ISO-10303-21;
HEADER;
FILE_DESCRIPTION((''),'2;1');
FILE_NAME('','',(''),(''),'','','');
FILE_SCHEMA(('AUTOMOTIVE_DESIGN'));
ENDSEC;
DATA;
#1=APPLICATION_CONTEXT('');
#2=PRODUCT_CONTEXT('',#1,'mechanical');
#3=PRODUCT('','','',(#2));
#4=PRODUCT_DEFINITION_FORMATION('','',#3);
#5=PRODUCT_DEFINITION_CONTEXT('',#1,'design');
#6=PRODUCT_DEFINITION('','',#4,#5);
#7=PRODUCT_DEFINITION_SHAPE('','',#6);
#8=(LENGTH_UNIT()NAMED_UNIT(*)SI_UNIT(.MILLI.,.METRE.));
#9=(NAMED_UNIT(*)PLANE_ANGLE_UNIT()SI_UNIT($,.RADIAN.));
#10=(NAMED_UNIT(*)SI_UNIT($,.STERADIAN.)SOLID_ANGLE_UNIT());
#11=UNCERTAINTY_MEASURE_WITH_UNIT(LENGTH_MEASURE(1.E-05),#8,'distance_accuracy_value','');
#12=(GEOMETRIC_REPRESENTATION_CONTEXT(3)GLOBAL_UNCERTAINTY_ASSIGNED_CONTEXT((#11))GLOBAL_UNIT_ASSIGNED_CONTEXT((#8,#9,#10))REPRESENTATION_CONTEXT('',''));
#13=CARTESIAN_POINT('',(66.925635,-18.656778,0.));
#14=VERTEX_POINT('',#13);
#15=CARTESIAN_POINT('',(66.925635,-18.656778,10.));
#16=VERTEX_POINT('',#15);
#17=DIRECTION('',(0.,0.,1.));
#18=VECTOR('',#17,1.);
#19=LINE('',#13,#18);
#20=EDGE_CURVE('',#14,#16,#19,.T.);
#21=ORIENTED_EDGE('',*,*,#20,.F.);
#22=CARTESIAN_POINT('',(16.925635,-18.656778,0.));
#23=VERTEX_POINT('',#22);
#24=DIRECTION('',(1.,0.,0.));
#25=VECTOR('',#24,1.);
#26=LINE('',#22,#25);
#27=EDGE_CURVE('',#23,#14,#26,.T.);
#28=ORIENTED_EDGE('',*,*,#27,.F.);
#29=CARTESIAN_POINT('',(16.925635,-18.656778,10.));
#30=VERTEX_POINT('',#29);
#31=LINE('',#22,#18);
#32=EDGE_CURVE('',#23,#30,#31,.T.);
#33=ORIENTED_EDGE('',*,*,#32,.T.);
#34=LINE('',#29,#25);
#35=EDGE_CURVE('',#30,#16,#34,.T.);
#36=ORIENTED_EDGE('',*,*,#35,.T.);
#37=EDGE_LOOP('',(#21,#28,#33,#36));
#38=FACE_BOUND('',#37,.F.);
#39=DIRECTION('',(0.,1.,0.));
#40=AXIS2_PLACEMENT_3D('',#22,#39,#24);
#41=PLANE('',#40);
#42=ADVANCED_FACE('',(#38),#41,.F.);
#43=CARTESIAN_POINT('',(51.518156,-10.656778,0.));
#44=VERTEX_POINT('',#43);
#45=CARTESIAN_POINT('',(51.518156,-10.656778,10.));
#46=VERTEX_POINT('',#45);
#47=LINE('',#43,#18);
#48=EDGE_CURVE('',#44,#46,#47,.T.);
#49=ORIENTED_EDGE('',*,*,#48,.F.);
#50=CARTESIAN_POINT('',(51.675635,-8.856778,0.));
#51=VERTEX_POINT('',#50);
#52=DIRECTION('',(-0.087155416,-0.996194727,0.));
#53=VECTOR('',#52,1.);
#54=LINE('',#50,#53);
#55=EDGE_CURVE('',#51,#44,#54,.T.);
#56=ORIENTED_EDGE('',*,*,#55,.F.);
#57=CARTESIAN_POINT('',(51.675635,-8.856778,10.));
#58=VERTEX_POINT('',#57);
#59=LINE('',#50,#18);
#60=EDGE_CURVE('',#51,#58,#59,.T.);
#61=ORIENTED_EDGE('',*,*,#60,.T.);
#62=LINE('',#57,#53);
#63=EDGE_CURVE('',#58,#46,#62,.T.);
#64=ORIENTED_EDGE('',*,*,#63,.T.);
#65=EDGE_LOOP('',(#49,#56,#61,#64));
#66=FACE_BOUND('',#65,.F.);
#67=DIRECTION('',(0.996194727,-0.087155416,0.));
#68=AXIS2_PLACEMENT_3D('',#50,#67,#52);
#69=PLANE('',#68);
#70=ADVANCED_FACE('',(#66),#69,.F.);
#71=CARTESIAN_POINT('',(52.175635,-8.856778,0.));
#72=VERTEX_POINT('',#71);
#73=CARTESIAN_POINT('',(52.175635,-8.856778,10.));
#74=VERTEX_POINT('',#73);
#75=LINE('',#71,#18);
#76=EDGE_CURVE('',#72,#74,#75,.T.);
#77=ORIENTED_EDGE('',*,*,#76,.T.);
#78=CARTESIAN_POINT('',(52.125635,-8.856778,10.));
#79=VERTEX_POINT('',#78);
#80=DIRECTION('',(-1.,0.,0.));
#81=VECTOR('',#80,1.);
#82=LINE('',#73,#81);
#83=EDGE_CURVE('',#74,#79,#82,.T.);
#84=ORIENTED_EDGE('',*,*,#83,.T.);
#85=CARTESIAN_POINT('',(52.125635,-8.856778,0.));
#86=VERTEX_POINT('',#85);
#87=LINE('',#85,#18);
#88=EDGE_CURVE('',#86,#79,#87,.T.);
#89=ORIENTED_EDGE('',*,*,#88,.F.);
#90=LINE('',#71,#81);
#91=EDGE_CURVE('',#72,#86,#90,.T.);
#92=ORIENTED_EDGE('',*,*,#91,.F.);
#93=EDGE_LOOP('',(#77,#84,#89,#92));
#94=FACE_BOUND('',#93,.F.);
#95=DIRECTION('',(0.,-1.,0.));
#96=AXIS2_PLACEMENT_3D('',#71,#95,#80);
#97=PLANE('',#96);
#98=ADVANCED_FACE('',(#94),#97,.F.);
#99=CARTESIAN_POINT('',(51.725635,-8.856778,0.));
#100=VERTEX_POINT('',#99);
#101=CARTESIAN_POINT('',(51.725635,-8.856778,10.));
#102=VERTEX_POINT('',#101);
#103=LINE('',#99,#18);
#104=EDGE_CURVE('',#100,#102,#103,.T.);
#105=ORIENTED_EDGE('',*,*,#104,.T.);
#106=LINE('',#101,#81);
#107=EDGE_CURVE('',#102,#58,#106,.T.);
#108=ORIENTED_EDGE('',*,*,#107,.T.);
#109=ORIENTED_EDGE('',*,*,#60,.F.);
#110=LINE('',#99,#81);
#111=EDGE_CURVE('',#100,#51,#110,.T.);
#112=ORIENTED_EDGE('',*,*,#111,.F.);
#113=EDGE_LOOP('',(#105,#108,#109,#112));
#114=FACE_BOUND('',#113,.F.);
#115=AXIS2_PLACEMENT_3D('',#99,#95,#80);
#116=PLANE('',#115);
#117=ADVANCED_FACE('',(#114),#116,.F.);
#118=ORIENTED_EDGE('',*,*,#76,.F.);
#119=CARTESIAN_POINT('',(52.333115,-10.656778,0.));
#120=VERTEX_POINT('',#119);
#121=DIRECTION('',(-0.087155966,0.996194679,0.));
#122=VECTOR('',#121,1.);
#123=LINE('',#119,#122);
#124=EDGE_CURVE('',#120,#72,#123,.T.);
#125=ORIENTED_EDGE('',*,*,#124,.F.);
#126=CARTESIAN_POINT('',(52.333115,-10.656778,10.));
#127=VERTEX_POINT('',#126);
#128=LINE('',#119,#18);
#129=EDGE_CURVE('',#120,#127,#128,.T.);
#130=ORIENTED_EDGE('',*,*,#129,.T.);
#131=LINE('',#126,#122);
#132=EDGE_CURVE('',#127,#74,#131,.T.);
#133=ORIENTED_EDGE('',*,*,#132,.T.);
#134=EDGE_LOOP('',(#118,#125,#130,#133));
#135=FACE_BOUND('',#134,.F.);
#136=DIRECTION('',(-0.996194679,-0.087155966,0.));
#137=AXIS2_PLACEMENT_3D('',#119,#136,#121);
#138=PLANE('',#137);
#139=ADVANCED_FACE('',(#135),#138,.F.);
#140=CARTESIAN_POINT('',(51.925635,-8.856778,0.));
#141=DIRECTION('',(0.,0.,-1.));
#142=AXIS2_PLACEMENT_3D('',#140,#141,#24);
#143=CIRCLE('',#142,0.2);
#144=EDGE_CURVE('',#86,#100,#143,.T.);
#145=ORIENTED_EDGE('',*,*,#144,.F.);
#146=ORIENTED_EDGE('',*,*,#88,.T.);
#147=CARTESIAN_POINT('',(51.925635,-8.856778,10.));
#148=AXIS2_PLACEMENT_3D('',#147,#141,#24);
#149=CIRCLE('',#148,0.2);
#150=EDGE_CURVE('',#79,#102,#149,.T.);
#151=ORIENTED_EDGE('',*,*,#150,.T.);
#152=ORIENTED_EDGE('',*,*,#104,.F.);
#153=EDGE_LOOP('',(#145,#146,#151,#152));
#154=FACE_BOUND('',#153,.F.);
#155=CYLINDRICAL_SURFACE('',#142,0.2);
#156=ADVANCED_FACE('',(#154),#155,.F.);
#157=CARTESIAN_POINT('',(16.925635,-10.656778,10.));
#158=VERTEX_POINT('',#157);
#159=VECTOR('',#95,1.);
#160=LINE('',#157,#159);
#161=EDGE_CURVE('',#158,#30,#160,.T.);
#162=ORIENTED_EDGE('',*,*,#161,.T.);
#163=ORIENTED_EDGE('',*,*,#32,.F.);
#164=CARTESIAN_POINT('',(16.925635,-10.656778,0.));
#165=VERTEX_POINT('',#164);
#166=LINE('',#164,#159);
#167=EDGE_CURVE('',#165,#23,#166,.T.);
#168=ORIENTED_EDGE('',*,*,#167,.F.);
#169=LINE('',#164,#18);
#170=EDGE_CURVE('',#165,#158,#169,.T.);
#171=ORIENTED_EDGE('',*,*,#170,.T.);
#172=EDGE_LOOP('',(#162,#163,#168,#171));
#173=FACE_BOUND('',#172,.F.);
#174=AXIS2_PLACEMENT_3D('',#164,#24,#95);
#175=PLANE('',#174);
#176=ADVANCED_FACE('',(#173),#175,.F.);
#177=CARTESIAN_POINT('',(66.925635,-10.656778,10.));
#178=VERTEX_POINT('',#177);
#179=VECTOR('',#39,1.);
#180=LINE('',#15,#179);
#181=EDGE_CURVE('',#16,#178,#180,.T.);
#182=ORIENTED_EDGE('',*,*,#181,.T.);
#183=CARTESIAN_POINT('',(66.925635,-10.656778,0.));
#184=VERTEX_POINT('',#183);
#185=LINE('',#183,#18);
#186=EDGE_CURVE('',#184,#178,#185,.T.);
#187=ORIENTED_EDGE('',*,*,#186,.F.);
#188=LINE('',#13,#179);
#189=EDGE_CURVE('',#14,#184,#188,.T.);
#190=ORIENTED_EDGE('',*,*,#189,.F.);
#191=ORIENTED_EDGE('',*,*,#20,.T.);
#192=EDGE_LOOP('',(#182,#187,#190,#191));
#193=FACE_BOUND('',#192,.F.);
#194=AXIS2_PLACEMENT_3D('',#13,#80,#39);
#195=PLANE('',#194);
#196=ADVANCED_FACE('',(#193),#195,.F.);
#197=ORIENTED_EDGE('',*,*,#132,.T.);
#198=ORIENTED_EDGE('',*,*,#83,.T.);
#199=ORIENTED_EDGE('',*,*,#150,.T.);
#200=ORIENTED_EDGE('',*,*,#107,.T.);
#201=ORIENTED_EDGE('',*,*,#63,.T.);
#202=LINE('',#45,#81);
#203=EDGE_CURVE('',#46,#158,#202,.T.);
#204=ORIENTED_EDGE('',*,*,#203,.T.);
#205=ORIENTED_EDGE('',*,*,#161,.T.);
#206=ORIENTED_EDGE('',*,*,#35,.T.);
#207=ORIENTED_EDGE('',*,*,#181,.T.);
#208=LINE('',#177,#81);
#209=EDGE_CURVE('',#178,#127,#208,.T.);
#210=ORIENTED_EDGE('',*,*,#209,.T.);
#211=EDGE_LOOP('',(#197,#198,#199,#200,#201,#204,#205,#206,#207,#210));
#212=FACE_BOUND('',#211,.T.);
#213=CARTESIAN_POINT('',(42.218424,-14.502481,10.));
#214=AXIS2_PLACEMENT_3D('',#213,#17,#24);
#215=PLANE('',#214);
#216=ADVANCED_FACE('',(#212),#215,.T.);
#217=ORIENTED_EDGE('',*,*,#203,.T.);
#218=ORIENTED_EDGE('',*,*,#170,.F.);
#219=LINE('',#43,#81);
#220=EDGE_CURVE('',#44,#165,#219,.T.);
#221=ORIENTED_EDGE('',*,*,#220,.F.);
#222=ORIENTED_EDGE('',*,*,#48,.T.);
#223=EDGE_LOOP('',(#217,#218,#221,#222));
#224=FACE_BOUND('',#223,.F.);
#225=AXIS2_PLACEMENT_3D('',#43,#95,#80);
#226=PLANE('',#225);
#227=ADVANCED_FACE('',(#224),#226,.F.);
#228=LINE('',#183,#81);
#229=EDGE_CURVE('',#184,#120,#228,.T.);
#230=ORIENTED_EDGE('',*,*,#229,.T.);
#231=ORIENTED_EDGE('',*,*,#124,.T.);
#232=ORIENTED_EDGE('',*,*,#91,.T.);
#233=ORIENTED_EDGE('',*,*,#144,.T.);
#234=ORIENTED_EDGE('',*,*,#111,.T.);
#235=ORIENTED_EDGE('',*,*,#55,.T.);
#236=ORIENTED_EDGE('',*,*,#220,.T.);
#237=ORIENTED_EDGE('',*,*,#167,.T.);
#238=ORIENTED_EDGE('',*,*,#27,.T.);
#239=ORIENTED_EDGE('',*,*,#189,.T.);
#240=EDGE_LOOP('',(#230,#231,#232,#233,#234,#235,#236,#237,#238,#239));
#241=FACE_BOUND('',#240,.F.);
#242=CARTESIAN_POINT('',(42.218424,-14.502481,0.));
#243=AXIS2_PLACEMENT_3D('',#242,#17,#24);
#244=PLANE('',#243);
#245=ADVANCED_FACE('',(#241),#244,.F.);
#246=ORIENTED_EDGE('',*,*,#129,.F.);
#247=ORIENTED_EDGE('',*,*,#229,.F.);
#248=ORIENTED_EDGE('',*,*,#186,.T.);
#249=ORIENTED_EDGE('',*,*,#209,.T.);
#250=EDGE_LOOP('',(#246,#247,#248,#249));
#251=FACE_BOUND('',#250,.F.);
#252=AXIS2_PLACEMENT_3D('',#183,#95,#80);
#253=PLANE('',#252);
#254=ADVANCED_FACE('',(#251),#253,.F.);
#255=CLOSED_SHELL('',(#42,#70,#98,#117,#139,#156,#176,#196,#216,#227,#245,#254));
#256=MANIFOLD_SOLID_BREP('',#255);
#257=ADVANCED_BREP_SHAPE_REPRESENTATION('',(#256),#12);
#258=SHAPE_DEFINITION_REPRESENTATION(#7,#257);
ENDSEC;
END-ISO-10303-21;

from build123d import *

# Parameters (mm, degrees)
F1_DEPTH = 10


with BuildPart() as f1:
    # F0 (on Top) → F1 (new body)
    with BuildSketch(Plane.XY):
        with BuildLine():
            Line((66.925635, -18.656778), (66.925635, -10.656778))
            Line((66.925635, -10.656778), (52.333115, -10.656778))
            Line((52.333115, -10.656778), (52.175635, -8.856778))
            Line((52.175635, -8.856778), (52.125635, -8.856778))
            ThreePointArc((52.125635, -8.856778), (51.925635, -9.056778), (51.725635, -8.856778))
            Line((51.725635, -8.856778), (51.675635, -8.856778))
            Line((51.675635, -8.856778), (51.518156, -10.656778))
            Line((51.518156, -10.656778), (16.925635, -10.656778))
            Line((16.925635, -10.656778), (16.925635, -18.656778))
            Line((16.925635, -18.656778), (66.925635, -18.656778))
        make_face()
    extrude(amount=F1_DEPTH)


solid = f1.part
